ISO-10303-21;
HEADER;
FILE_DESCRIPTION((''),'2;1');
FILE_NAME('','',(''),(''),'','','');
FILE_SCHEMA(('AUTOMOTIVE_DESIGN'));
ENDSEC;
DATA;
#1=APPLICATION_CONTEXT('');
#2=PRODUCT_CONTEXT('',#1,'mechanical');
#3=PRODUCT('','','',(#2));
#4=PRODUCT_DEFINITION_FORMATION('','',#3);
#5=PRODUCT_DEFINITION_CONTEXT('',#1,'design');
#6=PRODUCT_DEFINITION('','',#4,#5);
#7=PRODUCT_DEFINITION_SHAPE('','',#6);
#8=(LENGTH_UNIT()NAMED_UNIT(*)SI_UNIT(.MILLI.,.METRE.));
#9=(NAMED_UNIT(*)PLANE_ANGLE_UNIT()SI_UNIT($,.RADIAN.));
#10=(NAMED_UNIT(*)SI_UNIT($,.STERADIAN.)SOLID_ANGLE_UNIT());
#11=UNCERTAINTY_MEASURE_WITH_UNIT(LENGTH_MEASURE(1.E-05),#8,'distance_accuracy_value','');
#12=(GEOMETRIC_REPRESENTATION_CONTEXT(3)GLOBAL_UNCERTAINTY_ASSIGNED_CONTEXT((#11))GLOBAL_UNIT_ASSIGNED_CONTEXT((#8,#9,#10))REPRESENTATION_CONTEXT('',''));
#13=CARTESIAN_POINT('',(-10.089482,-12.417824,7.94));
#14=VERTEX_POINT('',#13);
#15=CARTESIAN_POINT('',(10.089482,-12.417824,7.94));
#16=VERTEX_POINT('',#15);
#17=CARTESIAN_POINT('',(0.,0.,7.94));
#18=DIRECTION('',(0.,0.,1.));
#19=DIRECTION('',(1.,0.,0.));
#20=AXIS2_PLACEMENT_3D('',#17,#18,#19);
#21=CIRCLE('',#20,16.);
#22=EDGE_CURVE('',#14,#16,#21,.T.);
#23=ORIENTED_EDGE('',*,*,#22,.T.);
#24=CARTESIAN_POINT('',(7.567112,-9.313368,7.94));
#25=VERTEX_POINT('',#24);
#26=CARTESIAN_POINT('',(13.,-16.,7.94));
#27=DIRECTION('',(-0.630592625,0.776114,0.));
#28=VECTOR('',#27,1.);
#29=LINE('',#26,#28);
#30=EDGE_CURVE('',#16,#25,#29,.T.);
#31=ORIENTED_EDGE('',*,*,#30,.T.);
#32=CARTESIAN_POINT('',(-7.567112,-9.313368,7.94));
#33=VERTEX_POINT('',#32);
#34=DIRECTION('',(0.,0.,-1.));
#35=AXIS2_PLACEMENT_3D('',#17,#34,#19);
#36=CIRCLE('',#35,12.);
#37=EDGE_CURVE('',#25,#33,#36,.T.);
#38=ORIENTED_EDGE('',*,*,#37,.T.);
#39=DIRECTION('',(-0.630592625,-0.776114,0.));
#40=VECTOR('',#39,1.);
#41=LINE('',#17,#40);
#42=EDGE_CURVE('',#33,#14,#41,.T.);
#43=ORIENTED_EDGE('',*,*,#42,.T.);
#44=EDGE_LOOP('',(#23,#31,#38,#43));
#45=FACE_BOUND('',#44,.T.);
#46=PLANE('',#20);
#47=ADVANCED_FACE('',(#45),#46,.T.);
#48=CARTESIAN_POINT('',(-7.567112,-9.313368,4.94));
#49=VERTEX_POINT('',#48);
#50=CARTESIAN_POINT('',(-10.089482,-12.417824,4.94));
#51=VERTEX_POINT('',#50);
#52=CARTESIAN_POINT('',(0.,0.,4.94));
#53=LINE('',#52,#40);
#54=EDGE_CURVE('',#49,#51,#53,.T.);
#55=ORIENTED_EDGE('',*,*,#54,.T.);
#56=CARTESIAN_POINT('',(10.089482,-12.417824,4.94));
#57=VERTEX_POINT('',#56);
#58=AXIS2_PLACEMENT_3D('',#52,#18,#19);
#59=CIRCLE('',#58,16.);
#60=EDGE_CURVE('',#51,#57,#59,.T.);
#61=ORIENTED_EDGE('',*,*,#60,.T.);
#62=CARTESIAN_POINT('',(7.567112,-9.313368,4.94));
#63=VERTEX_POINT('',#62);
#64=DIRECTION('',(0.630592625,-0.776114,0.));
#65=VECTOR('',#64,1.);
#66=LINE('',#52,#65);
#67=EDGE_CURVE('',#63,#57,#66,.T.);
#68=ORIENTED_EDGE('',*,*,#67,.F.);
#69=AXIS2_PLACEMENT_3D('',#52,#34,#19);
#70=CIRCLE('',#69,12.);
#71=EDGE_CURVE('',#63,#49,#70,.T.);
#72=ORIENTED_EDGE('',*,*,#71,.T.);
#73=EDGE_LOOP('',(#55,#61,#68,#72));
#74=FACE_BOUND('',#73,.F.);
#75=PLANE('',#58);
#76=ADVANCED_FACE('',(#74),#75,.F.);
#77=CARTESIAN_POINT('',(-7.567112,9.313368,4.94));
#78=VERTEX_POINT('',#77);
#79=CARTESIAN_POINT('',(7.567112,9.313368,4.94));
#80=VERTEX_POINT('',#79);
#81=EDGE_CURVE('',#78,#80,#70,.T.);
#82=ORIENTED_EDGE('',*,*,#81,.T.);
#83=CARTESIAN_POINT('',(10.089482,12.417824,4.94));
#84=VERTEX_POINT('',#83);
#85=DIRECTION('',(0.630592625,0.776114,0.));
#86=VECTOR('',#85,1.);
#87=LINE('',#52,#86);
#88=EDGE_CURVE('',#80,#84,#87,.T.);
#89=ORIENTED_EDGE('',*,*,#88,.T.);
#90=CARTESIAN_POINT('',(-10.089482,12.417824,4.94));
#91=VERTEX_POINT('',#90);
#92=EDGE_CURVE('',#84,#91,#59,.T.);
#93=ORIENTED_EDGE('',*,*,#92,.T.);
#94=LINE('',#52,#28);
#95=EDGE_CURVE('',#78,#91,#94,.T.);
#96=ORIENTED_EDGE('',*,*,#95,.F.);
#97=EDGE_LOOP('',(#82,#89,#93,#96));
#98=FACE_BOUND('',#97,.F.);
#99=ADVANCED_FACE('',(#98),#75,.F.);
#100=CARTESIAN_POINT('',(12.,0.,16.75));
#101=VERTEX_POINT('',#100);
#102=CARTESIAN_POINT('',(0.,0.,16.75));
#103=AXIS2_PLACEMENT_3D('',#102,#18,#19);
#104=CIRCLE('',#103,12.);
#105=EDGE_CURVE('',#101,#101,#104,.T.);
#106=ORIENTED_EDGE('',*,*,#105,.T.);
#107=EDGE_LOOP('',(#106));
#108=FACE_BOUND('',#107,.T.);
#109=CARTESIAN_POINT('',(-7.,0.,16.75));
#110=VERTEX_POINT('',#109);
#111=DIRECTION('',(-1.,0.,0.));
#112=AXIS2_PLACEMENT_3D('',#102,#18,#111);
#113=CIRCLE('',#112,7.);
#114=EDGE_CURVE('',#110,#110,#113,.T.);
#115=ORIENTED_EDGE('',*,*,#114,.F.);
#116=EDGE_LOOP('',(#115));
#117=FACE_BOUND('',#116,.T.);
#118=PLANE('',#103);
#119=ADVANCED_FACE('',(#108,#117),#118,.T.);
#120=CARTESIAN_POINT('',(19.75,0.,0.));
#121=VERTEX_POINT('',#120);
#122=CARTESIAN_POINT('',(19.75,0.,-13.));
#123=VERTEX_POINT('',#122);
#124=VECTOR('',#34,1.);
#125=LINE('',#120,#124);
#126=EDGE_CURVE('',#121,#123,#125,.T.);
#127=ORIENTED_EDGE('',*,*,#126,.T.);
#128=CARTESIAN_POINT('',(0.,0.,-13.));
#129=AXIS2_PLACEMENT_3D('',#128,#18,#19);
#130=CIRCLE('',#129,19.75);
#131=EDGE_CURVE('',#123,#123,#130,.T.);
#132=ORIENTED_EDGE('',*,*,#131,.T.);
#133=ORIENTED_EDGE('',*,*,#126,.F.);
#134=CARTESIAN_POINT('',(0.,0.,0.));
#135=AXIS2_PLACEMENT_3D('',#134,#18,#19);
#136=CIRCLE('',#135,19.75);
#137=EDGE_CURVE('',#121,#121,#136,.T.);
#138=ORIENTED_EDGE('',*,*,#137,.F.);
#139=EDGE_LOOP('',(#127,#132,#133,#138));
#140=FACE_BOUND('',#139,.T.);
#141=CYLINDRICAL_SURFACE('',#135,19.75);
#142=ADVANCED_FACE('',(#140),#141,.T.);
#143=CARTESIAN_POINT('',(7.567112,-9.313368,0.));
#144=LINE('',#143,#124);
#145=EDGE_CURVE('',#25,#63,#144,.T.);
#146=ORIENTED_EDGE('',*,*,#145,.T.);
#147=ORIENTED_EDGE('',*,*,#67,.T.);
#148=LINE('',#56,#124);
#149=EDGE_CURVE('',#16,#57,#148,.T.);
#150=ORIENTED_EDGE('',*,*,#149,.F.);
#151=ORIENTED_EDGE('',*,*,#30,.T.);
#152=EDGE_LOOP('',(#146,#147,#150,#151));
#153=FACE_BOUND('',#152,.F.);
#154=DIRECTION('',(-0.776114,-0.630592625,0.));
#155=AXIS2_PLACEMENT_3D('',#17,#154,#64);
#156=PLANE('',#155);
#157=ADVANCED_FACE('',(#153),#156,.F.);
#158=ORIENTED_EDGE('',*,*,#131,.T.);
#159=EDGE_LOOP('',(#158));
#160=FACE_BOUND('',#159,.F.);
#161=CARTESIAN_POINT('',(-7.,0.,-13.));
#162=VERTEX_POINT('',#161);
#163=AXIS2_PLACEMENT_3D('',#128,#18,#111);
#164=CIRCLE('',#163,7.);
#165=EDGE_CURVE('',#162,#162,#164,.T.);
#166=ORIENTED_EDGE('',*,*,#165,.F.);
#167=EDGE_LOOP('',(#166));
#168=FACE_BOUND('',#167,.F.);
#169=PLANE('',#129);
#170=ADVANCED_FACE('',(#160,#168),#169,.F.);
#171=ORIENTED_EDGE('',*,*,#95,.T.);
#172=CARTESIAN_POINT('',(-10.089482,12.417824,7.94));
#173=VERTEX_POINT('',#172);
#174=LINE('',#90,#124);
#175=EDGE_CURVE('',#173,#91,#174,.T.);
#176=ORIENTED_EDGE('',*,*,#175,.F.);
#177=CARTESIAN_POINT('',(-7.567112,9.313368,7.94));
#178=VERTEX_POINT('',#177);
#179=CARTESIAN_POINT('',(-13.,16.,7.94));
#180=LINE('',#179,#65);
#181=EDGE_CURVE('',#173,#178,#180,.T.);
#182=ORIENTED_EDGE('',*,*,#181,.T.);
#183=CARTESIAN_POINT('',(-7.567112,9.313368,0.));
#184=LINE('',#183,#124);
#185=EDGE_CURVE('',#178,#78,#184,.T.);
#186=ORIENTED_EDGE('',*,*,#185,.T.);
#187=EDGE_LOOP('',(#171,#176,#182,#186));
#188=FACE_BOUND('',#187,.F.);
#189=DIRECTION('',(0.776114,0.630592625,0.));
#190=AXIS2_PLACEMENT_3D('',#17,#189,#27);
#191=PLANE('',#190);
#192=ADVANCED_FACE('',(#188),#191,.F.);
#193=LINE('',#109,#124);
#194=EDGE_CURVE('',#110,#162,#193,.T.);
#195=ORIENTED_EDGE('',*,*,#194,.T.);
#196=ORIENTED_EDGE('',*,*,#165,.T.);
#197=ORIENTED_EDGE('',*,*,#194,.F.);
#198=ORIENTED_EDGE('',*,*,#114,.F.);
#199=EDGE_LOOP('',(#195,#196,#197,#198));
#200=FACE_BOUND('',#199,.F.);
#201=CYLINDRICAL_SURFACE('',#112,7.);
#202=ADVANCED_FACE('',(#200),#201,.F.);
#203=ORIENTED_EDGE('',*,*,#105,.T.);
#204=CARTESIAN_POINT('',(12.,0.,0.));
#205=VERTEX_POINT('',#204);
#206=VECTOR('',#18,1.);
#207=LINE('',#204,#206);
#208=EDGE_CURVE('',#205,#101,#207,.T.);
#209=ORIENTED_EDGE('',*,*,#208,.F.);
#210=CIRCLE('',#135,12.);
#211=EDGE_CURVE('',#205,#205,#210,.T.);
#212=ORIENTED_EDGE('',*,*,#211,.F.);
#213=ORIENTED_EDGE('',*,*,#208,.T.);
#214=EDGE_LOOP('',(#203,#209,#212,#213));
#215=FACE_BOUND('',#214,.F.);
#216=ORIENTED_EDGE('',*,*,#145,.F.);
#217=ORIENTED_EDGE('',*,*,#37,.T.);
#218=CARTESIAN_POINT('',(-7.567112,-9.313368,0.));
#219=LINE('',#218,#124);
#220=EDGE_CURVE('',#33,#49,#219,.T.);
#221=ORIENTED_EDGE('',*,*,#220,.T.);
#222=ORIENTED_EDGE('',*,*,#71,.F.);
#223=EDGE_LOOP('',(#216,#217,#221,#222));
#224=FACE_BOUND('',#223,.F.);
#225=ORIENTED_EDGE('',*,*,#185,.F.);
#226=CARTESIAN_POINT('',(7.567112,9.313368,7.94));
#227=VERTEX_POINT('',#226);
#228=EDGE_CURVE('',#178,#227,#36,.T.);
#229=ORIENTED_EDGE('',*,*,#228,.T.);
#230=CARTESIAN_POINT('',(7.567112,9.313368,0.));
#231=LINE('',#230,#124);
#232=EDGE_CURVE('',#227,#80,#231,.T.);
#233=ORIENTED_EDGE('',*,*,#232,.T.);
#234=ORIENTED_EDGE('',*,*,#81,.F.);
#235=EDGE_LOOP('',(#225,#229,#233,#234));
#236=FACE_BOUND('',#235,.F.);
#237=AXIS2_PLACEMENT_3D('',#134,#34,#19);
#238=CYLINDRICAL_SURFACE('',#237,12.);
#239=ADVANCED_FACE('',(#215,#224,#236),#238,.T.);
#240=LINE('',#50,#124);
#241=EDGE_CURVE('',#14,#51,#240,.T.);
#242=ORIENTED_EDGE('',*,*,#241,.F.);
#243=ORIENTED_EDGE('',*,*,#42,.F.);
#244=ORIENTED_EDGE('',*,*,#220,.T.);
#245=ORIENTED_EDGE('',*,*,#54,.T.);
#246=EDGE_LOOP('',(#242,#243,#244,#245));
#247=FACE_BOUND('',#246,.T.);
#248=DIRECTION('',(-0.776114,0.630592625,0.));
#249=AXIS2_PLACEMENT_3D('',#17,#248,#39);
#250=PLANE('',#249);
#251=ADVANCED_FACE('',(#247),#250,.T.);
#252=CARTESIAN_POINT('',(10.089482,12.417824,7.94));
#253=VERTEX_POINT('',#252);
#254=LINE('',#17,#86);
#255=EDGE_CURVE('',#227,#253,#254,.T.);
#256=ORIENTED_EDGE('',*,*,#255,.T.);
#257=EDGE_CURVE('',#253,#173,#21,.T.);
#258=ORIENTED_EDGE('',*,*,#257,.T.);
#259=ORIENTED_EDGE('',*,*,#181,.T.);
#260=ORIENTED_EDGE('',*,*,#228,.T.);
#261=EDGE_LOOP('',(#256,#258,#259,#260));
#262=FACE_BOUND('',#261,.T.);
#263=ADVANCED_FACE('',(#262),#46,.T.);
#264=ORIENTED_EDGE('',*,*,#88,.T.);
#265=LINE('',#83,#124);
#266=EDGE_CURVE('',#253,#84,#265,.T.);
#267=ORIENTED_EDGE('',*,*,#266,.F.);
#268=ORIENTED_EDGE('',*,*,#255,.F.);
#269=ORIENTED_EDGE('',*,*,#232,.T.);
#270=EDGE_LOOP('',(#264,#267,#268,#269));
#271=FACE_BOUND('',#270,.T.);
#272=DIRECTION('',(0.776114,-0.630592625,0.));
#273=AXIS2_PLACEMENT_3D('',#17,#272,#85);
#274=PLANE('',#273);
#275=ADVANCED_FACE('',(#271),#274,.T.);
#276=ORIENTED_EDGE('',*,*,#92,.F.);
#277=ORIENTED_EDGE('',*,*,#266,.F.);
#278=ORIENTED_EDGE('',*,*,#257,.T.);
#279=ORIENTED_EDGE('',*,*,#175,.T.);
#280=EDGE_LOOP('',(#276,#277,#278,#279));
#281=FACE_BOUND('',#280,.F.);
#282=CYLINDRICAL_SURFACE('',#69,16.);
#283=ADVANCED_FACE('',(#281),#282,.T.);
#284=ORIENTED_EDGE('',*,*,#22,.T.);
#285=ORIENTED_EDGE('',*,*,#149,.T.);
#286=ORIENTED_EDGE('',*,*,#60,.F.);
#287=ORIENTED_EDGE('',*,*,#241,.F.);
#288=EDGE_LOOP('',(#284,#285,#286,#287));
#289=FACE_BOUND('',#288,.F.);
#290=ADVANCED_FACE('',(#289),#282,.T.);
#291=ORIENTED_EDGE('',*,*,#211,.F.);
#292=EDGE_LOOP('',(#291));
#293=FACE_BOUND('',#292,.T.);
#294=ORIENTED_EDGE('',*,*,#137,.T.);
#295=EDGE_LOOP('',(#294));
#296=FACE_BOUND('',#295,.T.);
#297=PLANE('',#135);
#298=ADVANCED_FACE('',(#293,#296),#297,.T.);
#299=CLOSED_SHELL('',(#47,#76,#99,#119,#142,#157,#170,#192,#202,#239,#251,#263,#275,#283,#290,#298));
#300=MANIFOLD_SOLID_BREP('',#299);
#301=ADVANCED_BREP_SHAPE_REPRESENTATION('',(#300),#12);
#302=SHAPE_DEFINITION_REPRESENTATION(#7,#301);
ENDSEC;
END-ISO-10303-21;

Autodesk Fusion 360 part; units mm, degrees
sketch "Sketch1" plane through (0, 0, 0) normal (0, 0, 1) x (1, 0, 0)
  circle A0 centre (0, 0) radius 12
  dimension "d1" = 24
extrude "Extrude1" add sketch "Sketch1" along normal blind 16.75 makes body 1
sketch "Sketch2" plane through (0, 0, 0) normal (0, 0, 1) x (1, 0, 0)
  circle A0 centre (0, 0) radius 19.75
  dimension "d4" = 39.5
extrude "Extrude2" add sketch "Sketch2" against normal blind 13 bodies 1
sketch "Sketch3" plane through (0, 0, 0) normal (0, 1, 0) x (1, 0, 0)
  line L0 (0, 0) -> (0, -4.94)
  dimension "d7" = 4.94
sketch "Sketch4" plane through (0, 0, 16.75) normal (0, 0, 1) x (-1, 0, 0)
  circle A0 centre (0, 0) radius 12
sketch "Sketch5" plane through (0, 0, 0) normal (0, 1, 0) x (1, 0, 0)
sketch "Sketch6" plane through (0, 0, 0) normal (0, 0, 1) x (1, 0, 0)
  circle A0 centre (0, 0) radius 16
  dimension "d9" = 32
extrude "Extrude3" add sketch "Sketch6" along normal blind 3 separate body makes body 2
move_body "Move1" bodies 2 to x (1, 0, 0) y (0, 1, 0) z (0, 0, 1) at (0, 0, 4.94)
sketch "Sketch7" plane through (0, 0, 7.94) normal (0, 0, 1) x (-1, 0, 0)
  circle A0 centre (0, 0) radius 16
  line L0 (0, 0) -> (13, 16)
  line L1 (0, -2.5) -> (0, -20)
  line L2 (0, 0) -> (-13, 16)
  line L3 (-20, 0) -> (-2.5, 0)
  line L4 (0, 0) -> (13, -16)
  line L5 (0, 0) -> (-13, -16)
  line L6 (-13, 16) -> (-22, 6)
  line L7 (-22, 6) -> (-13, -16)
  line L8 (13, 16) -> (27, 0)
  line L9 (27, 0) -> (13, -16)
extrude "Extrude4" cut sketch "Sketch7" against normal blind 4 contours A0 L0 L4 | A0 L0 L4 L8 L9 | A0 L2 L5 | A0 L2 L3 L6 L7 | A0 L3 L5 L7 bodies 2
sketch "Sketch8" plane through (0, 0, 16.75) normal (0, 0, 1) x (-1, 0, 0)
  circle A0 centre (0, 0) radius 7
  dimension "d14" = 14
extrude "Extrude5" cut sketch "Sketch8" against normal blind 33 bodies 1 2 makes body 3 at (-4.4893, -12.169, 7.94)
combine "Combine1" operation add target body 1 tool bodies 2 3
